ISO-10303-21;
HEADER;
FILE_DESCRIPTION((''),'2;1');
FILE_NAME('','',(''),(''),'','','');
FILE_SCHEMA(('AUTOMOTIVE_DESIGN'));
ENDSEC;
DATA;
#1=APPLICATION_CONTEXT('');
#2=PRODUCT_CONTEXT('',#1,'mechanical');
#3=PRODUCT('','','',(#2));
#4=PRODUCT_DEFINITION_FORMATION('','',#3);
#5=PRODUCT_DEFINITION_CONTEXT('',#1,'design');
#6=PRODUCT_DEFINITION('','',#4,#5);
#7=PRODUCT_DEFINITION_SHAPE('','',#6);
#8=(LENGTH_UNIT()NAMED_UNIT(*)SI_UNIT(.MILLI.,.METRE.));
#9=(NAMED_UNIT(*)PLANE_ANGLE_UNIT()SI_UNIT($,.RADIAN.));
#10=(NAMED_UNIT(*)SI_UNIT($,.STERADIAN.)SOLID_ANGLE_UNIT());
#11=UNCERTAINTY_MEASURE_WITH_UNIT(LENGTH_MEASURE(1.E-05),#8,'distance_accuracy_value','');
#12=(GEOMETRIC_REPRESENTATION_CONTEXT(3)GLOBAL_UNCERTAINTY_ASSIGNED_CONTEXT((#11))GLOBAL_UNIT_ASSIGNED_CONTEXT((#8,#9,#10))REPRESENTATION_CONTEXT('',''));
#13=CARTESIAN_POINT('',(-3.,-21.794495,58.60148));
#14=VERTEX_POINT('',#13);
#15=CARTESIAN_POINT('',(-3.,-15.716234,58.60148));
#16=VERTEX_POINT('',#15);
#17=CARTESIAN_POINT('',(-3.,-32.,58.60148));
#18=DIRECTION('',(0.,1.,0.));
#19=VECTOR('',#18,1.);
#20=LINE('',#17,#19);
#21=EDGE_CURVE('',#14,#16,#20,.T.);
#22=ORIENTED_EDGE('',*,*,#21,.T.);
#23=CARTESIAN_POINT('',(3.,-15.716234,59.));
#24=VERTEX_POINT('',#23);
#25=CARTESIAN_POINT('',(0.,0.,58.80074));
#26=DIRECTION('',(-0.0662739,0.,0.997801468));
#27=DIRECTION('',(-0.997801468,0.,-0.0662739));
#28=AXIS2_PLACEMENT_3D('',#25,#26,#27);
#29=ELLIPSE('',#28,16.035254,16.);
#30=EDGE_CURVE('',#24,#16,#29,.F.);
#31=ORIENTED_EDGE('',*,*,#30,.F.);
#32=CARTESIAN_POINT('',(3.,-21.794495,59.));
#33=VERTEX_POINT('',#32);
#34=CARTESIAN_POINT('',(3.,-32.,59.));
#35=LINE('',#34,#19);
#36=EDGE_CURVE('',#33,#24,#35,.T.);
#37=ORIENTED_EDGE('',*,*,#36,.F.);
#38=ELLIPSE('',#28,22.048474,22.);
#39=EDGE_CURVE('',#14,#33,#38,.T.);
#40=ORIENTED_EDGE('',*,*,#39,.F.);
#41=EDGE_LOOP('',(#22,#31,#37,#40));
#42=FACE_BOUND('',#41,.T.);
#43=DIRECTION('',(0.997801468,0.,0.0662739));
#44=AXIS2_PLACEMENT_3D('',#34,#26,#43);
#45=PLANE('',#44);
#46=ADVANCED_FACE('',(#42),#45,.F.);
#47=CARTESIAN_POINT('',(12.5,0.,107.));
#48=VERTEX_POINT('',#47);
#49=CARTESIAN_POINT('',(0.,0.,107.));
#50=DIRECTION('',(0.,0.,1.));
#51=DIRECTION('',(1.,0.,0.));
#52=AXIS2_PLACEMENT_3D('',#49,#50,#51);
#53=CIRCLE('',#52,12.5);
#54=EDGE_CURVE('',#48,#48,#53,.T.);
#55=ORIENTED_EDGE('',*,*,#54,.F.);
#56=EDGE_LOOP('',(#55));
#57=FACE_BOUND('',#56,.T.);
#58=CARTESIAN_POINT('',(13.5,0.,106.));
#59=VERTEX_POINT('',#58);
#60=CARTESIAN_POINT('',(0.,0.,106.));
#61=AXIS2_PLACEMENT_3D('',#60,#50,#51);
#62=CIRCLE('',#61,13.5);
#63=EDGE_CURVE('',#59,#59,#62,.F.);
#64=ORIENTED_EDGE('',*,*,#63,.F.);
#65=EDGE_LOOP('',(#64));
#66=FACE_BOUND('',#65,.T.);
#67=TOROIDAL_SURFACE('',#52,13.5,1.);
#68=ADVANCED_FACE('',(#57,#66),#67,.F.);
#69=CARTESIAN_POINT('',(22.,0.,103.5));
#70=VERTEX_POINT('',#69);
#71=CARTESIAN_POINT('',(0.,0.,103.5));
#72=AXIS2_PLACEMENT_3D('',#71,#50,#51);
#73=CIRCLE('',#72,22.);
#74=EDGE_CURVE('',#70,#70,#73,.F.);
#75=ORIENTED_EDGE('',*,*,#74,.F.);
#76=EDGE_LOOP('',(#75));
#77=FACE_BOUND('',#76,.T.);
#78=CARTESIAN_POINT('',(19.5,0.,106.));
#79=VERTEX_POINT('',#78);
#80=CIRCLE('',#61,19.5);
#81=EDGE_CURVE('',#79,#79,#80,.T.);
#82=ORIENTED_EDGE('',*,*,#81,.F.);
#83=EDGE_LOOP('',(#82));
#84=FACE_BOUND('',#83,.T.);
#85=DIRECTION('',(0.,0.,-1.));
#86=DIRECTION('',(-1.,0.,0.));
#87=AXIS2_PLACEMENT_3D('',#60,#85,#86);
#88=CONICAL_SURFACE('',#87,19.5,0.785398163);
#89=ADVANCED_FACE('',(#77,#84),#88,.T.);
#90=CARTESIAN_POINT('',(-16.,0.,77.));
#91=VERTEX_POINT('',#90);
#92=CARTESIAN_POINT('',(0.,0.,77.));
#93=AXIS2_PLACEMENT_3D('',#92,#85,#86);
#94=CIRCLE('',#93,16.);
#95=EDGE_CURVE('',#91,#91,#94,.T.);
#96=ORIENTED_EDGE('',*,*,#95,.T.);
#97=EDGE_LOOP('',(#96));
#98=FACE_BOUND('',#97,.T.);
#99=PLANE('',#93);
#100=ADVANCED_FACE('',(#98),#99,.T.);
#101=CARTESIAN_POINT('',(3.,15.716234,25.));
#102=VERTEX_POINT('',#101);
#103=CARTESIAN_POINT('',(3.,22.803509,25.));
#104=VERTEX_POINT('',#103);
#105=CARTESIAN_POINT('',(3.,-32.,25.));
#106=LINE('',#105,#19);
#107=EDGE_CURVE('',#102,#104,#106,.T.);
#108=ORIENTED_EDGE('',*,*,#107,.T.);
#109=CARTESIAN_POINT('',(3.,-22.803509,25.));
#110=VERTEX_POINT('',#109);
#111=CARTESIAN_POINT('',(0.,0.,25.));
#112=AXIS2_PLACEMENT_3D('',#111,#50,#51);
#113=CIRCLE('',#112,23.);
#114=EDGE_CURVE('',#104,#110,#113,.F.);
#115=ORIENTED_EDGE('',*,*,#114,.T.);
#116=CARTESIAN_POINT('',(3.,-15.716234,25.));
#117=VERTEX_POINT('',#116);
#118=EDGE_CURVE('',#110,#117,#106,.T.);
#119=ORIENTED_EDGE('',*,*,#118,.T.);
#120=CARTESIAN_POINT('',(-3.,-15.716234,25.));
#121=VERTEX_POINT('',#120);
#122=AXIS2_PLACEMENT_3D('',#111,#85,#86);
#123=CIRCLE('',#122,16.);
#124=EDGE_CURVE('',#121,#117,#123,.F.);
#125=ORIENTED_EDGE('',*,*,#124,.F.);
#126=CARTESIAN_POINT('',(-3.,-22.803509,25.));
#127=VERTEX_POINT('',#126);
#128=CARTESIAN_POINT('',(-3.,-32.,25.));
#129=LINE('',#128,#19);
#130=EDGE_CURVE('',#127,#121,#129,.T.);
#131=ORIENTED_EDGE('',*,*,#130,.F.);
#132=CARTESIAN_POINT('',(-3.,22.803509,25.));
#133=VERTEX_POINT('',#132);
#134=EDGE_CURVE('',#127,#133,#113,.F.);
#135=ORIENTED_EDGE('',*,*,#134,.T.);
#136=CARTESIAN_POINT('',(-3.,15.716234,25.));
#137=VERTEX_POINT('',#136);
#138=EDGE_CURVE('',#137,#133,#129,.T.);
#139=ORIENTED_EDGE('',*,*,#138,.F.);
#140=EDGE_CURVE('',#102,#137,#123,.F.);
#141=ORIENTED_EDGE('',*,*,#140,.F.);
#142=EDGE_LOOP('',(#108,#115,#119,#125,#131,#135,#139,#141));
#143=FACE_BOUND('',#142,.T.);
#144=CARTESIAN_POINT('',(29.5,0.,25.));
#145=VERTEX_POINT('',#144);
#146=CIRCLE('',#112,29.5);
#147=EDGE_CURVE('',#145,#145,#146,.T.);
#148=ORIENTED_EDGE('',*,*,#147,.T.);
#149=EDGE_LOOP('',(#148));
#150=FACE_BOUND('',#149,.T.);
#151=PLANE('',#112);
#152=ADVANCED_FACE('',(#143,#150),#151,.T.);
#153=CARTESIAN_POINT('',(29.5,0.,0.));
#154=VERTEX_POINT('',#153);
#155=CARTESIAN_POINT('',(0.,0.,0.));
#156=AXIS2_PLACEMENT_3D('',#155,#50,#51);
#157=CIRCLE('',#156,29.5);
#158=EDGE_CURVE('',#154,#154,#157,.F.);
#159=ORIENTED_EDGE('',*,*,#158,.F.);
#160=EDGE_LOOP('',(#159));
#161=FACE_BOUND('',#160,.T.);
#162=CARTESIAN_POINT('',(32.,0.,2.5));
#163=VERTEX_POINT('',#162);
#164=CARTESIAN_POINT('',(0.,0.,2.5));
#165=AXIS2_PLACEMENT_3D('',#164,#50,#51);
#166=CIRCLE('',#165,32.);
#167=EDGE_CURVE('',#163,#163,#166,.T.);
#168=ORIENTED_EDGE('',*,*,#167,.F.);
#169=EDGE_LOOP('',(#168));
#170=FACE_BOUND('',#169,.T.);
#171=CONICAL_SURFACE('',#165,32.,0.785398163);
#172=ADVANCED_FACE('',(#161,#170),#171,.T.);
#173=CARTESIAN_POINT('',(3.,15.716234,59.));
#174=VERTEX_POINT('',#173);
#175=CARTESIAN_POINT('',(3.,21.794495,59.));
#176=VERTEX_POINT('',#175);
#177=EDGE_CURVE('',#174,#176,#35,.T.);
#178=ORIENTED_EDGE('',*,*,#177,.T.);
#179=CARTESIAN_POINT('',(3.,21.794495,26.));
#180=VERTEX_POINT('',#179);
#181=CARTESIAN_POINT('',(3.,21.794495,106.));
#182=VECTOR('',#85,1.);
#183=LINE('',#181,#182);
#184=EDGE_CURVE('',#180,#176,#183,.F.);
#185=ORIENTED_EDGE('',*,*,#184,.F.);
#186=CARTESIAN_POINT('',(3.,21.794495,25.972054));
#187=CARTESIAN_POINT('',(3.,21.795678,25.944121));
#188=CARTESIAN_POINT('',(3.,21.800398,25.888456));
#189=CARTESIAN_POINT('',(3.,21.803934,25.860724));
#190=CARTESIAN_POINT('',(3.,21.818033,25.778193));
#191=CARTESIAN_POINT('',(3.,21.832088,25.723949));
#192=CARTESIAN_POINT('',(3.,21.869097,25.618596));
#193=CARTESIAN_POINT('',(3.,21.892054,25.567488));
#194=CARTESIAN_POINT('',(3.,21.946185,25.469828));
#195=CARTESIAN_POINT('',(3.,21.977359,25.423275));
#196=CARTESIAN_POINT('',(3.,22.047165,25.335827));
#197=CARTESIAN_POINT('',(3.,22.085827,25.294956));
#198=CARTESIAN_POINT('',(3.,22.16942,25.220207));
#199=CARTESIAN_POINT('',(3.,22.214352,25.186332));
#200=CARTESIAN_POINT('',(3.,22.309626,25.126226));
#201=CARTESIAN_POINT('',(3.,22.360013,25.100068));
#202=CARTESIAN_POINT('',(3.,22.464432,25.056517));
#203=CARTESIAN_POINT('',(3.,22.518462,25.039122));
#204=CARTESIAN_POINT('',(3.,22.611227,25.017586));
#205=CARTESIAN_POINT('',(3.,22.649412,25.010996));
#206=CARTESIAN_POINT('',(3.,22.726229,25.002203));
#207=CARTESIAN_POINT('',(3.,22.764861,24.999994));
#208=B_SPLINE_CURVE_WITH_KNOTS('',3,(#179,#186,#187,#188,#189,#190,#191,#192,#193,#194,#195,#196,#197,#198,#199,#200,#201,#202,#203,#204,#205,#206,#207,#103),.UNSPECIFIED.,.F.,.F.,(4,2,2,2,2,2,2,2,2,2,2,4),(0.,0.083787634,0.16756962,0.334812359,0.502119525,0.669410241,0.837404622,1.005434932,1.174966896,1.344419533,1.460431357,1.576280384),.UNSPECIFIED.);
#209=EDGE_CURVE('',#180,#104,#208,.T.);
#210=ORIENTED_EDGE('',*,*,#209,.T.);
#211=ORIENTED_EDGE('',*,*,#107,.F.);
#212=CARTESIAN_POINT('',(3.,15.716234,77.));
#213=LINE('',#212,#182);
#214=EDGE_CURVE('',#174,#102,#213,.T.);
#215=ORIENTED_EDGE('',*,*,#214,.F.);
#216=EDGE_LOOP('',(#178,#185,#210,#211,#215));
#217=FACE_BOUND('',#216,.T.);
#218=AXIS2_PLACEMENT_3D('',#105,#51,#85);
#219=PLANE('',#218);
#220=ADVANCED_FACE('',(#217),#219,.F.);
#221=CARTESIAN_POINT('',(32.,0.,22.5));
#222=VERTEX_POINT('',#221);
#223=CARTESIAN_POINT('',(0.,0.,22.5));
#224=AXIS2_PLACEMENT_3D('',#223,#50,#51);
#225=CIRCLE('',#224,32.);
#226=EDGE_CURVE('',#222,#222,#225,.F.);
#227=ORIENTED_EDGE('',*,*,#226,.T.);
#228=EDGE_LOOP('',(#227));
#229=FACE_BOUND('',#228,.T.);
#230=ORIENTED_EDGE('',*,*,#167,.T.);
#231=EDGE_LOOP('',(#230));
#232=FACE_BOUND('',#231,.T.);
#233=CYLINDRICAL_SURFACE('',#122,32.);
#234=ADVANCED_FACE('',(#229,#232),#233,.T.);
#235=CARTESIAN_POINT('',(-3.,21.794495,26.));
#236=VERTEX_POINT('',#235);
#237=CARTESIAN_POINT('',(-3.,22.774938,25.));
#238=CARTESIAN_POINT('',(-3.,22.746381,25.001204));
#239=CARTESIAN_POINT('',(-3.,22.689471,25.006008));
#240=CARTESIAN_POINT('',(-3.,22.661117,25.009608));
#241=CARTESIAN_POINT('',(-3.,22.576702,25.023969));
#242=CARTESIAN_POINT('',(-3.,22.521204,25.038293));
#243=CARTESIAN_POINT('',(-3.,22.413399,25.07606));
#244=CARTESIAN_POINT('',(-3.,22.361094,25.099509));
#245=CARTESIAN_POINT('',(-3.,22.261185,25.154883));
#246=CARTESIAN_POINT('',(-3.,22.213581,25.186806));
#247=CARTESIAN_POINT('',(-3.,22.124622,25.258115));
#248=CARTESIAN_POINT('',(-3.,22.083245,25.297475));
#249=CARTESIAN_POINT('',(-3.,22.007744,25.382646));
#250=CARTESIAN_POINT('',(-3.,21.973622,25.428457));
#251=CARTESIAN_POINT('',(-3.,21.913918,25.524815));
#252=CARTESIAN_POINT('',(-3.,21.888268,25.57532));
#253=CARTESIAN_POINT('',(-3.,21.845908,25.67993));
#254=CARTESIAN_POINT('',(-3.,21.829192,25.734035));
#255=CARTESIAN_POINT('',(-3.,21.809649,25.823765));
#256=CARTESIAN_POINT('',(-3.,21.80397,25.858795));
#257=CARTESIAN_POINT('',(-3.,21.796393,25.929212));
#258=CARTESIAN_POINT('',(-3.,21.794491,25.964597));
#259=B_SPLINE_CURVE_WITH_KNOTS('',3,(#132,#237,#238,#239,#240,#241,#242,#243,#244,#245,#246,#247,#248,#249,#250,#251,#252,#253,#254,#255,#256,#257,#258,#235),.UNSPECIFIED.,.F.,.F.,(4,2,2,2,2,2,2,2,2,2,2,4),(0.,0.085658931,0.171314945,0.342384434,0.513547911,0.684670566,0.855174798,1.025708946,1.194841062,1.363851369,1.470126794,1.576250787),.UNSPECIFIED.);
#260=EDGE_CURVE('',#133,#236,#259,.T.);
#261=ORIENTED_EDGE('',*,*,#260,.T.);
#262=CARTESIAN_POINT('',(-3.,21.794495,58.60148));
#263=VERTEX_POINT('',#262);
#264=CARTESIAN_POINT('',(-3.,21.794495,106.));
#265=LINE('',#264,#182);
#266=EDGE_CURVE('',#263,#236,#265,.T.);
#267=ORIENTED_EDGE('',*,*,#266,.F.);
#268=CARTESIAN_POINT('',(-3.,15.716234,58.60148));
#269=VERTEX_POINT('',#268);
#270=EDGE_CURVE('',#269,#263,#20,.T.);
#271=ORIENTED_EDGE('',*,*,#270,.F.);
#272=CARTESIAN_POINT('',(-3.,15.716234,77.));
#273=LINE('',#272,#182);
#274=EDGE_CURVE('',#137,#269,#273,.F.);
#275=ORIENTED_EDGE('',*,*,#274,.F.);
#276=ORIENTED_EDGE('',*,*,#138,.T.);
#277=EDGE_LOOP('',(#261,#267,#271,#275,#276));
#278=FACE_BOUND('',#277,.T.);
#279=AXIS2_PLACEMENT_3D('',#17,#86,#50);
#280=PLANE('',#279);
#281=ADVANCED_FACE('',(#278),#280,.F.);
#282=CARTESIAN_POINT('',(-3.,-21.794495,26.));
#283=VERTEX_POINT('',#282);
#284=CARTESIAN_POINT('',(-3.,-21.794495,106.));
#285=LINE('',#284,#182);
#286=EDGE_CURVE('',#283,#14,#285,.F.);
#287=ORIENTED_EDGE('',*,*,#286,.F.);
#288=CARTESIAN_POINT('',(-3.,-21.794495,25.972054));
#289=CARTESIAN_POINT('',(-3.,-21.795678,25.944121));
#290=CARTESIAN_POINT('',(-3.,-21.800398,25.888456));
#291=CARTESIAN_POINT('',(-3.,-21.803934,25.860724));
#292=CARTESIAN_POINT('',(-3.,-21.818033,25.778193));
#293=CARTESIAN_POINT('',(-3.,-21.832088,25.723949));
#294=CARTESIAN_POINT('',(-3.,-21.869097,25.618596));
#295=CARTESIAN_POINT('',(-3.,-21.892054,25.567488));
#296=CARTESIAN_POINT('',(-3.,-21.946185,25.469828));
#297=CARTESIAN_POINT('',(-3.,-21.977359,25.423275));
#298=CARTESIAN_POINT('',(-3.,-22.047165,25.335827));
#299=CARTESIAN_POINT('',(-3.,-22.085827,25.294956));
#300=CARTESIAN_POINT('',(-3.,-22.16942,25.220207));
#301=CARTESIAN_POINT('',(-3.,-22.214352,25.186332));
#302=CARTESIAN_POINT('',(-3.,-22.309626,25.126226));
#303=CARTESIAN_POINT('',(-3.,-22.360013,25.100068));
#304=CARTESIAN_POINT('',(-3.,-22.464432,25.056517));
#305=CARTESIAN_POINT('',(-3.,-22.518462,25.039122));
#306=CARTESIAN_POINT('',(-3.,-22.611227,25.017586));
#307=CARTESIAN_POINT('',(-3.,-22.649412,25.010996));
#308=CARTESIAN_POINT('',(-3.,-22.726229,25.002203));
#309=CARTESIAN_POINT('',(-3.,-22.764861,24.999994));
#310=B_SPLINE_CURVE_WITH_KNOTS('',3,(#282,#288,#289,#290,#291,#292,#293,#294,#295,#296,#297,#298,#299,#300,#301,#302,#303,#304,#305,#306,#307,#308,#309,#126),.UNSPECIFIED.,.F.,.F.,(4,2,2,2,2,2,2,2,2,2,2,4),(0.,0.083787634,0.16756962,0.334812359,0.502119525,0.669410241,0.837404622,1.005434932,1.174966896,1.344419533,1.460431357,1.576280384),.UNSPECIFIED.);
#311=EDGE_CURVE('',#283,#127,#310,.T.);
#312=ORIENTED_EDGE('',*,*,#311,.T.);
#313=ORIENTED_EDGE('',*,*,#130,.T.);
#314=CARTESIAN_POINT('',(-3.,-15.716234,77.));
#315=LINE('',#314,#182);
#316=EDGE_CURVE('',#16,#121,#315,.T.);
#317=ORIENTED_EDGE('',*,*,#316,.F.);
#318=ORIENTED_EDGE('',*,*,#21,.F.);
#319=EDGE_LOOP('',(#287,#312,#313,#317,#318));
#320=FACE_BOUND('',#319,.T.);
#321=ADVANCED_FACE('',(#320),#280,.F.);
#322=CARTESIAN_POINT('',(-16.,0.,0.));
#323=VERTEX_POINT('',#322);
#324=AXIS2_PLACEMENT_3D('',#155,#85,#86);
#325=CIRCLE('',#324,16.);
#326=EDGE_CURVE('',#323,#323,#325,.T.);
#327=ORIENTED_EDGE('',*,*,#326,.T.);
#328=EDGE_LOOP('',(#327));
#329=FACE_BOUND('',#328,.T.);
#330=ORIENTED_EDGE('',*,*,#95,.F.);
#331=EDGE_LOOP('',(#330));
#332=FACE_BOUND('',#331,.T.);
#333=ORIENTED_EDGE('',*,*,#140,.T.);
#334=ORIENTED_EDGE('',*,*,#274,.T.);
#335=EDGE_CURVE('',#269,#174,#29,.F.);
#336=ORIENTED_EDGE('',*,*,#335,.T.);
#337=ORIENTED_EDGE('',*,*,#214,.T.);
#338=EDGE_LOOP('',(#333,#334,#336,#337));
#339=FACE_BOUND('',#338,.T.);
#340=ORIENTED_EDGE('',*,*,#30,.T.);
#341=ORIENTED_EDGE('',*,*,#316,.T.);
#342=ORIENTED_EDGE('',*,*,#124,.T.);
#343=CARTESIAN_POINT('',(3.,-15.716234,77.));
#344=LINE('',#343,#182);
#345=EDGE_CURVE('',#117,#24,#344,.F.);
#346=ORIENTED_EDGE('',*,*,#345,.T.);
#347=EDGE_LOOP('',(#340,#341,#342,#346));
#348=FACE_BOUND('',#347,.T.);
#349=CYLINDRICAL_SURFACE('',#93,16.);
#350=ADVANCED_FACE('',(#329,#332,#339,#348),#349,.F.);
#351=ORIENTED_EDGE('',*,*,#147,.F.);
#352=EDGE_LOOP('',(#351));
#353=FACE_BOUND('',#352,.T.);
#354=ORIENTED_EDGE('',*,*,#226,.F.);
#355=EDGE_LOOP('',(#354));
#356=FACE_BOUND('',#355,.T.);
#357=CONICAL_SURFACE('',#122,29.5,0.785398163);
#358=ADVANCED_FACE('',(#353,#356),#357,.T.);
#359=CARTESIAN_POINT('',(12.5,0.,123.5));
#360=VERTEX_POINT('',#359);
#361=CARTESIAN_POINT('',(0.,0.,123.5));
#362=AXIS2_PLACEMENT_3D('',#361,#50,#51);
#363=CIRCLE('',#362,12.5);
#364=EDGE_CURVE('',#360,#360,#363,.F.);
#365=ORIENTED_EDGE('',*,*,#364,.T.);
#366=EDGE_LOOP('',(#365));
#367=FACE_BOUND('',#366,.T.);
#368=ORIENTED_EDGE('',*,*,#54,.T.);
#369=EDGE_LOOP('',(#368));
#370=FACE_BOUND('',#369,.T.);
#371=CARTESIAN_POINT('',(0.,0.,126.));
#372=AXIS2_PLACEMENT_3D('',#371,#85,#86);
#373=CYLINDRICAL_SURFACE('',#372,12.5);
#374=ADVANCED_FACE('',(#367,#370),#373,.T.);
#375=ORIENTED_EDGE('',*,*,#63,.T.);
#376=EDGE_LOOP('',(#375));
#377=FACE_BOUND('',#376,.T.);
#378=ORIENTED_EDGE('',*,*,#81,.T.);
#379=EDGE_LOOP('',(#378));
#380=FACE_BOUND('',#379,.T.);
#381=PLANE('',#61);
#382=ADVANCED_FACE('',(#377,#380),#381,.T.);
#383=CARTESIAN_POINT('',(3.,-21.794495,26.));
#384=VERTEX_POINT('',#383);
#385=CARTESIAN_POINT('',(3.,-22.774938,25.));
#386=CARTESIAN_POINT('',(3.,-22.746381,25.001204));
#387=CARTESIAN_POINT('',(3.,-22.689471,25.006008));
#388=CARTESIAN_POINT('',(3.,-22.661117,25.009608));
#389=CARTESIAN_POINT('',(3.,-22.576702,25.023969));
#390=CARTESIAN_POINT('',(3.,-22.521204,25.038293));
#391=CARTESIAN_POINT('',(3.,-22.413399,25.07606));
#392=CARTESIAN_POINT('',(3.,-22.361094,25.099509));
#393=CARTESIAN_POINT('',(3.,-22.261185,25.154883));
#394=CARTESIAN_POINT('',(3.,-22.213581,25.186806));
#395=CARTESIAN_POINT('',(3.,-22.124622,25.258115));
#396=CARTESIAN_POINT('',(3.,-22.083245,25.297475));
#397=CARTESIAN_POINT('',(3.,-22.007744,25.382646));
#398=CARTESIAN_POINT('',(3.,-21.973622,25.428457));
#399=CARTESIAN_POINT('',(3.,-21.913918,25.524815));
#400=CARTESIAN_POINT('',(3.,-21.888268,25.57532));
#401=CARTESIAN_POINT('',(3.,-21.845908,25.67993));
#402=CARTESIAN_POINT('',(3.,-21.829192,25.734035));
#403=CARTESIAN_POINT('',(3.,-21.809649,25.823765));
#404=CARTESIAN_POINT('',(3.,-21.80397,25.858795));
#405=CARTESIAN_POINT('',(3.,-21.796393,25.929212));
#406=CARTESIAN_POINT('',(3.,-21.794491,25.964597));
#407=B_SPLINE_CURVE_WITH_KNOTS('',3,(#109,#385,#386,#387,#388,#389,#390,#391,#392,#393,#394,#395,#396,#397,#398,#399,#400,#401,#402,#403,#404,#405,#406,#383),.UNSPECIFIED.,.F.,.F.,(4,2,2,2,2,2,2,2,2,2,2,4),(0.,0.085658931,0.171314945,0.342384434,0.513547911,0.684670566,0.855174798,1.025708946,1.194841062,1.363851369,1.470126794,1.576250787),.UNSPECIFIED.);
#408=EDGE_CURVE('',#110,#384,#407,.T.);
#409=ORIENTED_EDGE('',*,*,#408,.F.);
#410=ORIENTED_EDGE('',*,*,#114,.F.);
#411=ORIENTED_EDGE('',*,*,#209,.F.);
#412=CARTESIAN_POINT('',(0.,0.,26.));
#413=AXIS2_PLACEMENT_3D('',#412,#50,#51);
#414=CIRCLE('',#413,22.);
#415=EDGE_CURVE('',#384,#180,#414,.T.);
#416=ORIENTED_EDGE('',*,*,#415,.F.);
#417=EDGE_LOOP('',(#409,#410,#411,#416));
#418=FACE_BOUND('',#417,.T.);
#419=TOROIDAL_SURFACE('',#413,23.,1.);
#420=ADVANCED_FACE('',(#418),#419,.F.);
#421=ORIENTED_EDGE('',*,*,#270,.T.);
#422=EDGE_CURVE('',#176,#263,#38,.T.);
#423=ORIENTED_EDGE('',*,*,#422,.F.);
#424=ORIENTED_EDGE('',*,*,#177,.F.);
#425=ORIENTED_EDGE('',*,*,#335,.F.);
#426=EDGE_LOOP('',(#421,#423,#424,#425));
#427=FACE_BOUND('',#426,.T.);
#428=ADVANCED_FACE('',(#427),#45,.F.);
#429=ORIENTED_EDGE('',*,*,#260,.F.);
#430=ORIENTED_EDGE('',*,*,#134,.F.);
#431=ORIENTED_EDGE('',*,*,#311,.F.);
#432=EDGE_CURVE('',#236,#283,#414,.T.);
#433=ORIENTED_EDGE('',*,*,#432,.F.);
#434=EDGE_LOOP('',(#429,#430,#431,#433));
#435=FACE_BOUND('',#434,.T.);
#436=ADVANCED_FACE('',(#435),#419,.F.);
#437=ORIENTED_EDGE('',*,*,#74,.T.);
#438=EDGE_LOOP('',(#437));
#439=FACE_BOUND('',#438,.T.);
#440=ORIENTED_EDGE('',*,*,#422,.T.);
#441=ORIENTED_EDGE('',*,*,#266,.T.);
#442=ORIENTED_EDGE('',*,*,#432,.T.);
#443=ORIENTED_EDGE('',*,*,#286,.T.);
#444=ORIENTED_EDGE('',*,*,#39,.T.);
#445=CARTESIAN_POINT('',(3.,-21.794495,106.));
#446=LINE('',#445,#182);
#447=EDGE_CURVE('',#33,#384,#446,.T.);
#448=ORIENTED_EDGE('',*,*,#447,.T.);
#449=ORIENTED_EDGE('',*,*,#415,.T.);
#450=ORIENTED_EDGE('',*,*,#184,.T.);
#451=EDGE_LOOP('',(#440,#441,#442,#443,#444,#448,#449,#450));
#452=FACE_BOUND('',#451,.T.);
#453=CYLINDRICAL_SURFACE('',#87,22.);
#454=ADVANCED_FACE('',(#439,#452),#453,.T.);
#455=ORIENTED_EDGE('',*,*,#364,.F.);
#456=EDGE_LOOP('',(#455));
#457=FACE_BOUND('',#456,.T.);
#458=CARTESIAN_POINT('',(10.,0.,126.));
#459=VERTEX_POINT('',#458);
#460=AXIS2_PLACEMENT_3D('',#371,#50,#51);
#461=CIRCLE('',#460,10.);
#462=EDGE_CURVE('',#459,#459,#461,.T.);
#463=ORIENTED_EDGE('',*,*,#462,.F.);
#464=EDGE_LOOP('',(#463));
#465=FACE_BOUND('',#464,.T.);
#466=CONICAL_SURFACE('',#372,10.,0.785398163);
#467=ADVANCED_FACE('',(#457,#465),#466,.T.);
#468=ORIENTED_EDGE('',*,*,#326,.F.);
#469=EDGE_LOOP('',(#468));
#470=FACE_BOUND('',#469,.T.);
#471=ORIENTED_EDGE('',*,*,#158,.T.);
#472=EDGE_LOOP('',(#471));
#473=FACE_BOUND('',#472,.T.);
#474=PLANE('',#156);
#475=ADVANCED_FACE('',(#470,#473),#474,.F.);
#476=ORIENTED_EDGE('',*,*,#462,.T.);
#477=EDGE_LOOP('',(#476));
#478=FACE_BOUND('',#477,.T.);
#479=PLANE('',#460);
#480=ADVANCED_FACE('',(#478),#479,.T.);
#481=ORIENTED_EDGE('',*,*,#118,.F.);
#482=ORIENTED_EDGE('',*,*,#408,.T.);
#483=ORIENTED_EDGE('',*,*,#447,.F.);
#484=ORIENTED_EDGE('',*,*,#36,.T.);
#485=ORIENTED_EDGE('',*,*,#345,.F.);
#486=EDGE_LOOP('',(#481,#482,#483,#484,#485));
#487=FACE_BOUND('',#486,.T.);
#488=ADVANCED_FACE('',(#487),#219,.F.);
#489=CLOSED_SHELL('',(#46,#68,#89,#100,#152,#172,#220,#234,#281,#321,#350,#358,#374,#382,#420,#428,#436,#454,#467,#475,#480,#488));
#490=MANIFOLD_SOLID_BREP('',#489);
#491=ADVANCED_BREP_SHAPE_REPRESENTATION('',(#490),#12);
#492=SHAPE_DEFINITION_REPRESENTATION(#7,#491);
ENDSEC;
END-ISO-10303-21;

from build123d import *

# Parameters (mm, degrees)
SKETCH1_R           = 32
BOSS_EXTRUDE1_DEPTH = 25
SKETCH2_R           = 22
BOSS_EXTRUDE2_DEPTH = 81
SKETCH3_R           = 12.5
BOSS_EXTRUDE3_DEPTH = 20
SKETCH4_R           = 16
CUT_EXTRUDE1_DEPTH  = 77
CUT_EXTRUDE2_DEPTH  = 145.899965493
CHAMFER1_SIZE       = 2.5
FILLET1_R           = 1


with BuildPart() as part:
    # Sketch1 → Boss-Extrude1 (new body)
    with BuildSketch(Plane.XY):
        Circle(SKETCH1_R)
    extrude(amount=BOSS_EXTRUDE1_DEPTH)

    # Sketch2 → Boss-Extrude2 (add)
    with BuildSketch(Plane.XY.offset(25)):
        Circle(SKETCH2_R)
    extrude(amount=BOSS_EXTRUDE2_DEPTH)

    # Sketch3 → Boss-Extrude3 (add)
    with BuildSketch(Plane.XY.offset(106)):
        Circle(SKETCH3_R)
    extrude(amount=BOSS_EXTRUDE3_DEPTH)

    # Sketch4 → Cut-Extrude1 (cut)
    with BuildSketch(Plane(origin=(0, 0, 0), x_dir=(-1, 0, 0), z_dir=(0, 0, -1))):
        Circle(SKETCH4_R)
    extrude(amount=-CUT_EXTRUDE1_DEPTH, mode=Mode.SUBTRACT)

    # Sketch5 → Cut-Extrude2 (cut, through all)
    with BuildSketch(Plane(origin=(0, 32, 0), x_dir=(1, 0, 0), z_dir=(0, 1, 0))):
        Polygon((3, -25), (3, -59), (-3, -58.60148044), (-3, -25), align=None)
    extrude(amount=-CUT_EXTRUDE2_DEPTH, mode=Mode.SUBTRACT)

    # Chamfer1
    chamfer1_edges = [part.edges().sort_by_distance(p)[0] for p in [
        (-12.5, 0, 126),
        (-32, 0, 0),
        (-32, 0, 25),
        (-22, 0, 106),
    ]]
    chamfer(chamfer1_edges, length=CHAMFER1_SIZE)

    # Fillet1
    fillet1_edges = [part.edges().sort_by_distance(p)[0] for p in [
        (-12.5, 0, 106),
        (-22, 0, 25),
        (16.583123952, 14.456832295, 25),
    ]]
    fillet(fillet1_edges, radius=FILLET1_R)


solid = part.part
